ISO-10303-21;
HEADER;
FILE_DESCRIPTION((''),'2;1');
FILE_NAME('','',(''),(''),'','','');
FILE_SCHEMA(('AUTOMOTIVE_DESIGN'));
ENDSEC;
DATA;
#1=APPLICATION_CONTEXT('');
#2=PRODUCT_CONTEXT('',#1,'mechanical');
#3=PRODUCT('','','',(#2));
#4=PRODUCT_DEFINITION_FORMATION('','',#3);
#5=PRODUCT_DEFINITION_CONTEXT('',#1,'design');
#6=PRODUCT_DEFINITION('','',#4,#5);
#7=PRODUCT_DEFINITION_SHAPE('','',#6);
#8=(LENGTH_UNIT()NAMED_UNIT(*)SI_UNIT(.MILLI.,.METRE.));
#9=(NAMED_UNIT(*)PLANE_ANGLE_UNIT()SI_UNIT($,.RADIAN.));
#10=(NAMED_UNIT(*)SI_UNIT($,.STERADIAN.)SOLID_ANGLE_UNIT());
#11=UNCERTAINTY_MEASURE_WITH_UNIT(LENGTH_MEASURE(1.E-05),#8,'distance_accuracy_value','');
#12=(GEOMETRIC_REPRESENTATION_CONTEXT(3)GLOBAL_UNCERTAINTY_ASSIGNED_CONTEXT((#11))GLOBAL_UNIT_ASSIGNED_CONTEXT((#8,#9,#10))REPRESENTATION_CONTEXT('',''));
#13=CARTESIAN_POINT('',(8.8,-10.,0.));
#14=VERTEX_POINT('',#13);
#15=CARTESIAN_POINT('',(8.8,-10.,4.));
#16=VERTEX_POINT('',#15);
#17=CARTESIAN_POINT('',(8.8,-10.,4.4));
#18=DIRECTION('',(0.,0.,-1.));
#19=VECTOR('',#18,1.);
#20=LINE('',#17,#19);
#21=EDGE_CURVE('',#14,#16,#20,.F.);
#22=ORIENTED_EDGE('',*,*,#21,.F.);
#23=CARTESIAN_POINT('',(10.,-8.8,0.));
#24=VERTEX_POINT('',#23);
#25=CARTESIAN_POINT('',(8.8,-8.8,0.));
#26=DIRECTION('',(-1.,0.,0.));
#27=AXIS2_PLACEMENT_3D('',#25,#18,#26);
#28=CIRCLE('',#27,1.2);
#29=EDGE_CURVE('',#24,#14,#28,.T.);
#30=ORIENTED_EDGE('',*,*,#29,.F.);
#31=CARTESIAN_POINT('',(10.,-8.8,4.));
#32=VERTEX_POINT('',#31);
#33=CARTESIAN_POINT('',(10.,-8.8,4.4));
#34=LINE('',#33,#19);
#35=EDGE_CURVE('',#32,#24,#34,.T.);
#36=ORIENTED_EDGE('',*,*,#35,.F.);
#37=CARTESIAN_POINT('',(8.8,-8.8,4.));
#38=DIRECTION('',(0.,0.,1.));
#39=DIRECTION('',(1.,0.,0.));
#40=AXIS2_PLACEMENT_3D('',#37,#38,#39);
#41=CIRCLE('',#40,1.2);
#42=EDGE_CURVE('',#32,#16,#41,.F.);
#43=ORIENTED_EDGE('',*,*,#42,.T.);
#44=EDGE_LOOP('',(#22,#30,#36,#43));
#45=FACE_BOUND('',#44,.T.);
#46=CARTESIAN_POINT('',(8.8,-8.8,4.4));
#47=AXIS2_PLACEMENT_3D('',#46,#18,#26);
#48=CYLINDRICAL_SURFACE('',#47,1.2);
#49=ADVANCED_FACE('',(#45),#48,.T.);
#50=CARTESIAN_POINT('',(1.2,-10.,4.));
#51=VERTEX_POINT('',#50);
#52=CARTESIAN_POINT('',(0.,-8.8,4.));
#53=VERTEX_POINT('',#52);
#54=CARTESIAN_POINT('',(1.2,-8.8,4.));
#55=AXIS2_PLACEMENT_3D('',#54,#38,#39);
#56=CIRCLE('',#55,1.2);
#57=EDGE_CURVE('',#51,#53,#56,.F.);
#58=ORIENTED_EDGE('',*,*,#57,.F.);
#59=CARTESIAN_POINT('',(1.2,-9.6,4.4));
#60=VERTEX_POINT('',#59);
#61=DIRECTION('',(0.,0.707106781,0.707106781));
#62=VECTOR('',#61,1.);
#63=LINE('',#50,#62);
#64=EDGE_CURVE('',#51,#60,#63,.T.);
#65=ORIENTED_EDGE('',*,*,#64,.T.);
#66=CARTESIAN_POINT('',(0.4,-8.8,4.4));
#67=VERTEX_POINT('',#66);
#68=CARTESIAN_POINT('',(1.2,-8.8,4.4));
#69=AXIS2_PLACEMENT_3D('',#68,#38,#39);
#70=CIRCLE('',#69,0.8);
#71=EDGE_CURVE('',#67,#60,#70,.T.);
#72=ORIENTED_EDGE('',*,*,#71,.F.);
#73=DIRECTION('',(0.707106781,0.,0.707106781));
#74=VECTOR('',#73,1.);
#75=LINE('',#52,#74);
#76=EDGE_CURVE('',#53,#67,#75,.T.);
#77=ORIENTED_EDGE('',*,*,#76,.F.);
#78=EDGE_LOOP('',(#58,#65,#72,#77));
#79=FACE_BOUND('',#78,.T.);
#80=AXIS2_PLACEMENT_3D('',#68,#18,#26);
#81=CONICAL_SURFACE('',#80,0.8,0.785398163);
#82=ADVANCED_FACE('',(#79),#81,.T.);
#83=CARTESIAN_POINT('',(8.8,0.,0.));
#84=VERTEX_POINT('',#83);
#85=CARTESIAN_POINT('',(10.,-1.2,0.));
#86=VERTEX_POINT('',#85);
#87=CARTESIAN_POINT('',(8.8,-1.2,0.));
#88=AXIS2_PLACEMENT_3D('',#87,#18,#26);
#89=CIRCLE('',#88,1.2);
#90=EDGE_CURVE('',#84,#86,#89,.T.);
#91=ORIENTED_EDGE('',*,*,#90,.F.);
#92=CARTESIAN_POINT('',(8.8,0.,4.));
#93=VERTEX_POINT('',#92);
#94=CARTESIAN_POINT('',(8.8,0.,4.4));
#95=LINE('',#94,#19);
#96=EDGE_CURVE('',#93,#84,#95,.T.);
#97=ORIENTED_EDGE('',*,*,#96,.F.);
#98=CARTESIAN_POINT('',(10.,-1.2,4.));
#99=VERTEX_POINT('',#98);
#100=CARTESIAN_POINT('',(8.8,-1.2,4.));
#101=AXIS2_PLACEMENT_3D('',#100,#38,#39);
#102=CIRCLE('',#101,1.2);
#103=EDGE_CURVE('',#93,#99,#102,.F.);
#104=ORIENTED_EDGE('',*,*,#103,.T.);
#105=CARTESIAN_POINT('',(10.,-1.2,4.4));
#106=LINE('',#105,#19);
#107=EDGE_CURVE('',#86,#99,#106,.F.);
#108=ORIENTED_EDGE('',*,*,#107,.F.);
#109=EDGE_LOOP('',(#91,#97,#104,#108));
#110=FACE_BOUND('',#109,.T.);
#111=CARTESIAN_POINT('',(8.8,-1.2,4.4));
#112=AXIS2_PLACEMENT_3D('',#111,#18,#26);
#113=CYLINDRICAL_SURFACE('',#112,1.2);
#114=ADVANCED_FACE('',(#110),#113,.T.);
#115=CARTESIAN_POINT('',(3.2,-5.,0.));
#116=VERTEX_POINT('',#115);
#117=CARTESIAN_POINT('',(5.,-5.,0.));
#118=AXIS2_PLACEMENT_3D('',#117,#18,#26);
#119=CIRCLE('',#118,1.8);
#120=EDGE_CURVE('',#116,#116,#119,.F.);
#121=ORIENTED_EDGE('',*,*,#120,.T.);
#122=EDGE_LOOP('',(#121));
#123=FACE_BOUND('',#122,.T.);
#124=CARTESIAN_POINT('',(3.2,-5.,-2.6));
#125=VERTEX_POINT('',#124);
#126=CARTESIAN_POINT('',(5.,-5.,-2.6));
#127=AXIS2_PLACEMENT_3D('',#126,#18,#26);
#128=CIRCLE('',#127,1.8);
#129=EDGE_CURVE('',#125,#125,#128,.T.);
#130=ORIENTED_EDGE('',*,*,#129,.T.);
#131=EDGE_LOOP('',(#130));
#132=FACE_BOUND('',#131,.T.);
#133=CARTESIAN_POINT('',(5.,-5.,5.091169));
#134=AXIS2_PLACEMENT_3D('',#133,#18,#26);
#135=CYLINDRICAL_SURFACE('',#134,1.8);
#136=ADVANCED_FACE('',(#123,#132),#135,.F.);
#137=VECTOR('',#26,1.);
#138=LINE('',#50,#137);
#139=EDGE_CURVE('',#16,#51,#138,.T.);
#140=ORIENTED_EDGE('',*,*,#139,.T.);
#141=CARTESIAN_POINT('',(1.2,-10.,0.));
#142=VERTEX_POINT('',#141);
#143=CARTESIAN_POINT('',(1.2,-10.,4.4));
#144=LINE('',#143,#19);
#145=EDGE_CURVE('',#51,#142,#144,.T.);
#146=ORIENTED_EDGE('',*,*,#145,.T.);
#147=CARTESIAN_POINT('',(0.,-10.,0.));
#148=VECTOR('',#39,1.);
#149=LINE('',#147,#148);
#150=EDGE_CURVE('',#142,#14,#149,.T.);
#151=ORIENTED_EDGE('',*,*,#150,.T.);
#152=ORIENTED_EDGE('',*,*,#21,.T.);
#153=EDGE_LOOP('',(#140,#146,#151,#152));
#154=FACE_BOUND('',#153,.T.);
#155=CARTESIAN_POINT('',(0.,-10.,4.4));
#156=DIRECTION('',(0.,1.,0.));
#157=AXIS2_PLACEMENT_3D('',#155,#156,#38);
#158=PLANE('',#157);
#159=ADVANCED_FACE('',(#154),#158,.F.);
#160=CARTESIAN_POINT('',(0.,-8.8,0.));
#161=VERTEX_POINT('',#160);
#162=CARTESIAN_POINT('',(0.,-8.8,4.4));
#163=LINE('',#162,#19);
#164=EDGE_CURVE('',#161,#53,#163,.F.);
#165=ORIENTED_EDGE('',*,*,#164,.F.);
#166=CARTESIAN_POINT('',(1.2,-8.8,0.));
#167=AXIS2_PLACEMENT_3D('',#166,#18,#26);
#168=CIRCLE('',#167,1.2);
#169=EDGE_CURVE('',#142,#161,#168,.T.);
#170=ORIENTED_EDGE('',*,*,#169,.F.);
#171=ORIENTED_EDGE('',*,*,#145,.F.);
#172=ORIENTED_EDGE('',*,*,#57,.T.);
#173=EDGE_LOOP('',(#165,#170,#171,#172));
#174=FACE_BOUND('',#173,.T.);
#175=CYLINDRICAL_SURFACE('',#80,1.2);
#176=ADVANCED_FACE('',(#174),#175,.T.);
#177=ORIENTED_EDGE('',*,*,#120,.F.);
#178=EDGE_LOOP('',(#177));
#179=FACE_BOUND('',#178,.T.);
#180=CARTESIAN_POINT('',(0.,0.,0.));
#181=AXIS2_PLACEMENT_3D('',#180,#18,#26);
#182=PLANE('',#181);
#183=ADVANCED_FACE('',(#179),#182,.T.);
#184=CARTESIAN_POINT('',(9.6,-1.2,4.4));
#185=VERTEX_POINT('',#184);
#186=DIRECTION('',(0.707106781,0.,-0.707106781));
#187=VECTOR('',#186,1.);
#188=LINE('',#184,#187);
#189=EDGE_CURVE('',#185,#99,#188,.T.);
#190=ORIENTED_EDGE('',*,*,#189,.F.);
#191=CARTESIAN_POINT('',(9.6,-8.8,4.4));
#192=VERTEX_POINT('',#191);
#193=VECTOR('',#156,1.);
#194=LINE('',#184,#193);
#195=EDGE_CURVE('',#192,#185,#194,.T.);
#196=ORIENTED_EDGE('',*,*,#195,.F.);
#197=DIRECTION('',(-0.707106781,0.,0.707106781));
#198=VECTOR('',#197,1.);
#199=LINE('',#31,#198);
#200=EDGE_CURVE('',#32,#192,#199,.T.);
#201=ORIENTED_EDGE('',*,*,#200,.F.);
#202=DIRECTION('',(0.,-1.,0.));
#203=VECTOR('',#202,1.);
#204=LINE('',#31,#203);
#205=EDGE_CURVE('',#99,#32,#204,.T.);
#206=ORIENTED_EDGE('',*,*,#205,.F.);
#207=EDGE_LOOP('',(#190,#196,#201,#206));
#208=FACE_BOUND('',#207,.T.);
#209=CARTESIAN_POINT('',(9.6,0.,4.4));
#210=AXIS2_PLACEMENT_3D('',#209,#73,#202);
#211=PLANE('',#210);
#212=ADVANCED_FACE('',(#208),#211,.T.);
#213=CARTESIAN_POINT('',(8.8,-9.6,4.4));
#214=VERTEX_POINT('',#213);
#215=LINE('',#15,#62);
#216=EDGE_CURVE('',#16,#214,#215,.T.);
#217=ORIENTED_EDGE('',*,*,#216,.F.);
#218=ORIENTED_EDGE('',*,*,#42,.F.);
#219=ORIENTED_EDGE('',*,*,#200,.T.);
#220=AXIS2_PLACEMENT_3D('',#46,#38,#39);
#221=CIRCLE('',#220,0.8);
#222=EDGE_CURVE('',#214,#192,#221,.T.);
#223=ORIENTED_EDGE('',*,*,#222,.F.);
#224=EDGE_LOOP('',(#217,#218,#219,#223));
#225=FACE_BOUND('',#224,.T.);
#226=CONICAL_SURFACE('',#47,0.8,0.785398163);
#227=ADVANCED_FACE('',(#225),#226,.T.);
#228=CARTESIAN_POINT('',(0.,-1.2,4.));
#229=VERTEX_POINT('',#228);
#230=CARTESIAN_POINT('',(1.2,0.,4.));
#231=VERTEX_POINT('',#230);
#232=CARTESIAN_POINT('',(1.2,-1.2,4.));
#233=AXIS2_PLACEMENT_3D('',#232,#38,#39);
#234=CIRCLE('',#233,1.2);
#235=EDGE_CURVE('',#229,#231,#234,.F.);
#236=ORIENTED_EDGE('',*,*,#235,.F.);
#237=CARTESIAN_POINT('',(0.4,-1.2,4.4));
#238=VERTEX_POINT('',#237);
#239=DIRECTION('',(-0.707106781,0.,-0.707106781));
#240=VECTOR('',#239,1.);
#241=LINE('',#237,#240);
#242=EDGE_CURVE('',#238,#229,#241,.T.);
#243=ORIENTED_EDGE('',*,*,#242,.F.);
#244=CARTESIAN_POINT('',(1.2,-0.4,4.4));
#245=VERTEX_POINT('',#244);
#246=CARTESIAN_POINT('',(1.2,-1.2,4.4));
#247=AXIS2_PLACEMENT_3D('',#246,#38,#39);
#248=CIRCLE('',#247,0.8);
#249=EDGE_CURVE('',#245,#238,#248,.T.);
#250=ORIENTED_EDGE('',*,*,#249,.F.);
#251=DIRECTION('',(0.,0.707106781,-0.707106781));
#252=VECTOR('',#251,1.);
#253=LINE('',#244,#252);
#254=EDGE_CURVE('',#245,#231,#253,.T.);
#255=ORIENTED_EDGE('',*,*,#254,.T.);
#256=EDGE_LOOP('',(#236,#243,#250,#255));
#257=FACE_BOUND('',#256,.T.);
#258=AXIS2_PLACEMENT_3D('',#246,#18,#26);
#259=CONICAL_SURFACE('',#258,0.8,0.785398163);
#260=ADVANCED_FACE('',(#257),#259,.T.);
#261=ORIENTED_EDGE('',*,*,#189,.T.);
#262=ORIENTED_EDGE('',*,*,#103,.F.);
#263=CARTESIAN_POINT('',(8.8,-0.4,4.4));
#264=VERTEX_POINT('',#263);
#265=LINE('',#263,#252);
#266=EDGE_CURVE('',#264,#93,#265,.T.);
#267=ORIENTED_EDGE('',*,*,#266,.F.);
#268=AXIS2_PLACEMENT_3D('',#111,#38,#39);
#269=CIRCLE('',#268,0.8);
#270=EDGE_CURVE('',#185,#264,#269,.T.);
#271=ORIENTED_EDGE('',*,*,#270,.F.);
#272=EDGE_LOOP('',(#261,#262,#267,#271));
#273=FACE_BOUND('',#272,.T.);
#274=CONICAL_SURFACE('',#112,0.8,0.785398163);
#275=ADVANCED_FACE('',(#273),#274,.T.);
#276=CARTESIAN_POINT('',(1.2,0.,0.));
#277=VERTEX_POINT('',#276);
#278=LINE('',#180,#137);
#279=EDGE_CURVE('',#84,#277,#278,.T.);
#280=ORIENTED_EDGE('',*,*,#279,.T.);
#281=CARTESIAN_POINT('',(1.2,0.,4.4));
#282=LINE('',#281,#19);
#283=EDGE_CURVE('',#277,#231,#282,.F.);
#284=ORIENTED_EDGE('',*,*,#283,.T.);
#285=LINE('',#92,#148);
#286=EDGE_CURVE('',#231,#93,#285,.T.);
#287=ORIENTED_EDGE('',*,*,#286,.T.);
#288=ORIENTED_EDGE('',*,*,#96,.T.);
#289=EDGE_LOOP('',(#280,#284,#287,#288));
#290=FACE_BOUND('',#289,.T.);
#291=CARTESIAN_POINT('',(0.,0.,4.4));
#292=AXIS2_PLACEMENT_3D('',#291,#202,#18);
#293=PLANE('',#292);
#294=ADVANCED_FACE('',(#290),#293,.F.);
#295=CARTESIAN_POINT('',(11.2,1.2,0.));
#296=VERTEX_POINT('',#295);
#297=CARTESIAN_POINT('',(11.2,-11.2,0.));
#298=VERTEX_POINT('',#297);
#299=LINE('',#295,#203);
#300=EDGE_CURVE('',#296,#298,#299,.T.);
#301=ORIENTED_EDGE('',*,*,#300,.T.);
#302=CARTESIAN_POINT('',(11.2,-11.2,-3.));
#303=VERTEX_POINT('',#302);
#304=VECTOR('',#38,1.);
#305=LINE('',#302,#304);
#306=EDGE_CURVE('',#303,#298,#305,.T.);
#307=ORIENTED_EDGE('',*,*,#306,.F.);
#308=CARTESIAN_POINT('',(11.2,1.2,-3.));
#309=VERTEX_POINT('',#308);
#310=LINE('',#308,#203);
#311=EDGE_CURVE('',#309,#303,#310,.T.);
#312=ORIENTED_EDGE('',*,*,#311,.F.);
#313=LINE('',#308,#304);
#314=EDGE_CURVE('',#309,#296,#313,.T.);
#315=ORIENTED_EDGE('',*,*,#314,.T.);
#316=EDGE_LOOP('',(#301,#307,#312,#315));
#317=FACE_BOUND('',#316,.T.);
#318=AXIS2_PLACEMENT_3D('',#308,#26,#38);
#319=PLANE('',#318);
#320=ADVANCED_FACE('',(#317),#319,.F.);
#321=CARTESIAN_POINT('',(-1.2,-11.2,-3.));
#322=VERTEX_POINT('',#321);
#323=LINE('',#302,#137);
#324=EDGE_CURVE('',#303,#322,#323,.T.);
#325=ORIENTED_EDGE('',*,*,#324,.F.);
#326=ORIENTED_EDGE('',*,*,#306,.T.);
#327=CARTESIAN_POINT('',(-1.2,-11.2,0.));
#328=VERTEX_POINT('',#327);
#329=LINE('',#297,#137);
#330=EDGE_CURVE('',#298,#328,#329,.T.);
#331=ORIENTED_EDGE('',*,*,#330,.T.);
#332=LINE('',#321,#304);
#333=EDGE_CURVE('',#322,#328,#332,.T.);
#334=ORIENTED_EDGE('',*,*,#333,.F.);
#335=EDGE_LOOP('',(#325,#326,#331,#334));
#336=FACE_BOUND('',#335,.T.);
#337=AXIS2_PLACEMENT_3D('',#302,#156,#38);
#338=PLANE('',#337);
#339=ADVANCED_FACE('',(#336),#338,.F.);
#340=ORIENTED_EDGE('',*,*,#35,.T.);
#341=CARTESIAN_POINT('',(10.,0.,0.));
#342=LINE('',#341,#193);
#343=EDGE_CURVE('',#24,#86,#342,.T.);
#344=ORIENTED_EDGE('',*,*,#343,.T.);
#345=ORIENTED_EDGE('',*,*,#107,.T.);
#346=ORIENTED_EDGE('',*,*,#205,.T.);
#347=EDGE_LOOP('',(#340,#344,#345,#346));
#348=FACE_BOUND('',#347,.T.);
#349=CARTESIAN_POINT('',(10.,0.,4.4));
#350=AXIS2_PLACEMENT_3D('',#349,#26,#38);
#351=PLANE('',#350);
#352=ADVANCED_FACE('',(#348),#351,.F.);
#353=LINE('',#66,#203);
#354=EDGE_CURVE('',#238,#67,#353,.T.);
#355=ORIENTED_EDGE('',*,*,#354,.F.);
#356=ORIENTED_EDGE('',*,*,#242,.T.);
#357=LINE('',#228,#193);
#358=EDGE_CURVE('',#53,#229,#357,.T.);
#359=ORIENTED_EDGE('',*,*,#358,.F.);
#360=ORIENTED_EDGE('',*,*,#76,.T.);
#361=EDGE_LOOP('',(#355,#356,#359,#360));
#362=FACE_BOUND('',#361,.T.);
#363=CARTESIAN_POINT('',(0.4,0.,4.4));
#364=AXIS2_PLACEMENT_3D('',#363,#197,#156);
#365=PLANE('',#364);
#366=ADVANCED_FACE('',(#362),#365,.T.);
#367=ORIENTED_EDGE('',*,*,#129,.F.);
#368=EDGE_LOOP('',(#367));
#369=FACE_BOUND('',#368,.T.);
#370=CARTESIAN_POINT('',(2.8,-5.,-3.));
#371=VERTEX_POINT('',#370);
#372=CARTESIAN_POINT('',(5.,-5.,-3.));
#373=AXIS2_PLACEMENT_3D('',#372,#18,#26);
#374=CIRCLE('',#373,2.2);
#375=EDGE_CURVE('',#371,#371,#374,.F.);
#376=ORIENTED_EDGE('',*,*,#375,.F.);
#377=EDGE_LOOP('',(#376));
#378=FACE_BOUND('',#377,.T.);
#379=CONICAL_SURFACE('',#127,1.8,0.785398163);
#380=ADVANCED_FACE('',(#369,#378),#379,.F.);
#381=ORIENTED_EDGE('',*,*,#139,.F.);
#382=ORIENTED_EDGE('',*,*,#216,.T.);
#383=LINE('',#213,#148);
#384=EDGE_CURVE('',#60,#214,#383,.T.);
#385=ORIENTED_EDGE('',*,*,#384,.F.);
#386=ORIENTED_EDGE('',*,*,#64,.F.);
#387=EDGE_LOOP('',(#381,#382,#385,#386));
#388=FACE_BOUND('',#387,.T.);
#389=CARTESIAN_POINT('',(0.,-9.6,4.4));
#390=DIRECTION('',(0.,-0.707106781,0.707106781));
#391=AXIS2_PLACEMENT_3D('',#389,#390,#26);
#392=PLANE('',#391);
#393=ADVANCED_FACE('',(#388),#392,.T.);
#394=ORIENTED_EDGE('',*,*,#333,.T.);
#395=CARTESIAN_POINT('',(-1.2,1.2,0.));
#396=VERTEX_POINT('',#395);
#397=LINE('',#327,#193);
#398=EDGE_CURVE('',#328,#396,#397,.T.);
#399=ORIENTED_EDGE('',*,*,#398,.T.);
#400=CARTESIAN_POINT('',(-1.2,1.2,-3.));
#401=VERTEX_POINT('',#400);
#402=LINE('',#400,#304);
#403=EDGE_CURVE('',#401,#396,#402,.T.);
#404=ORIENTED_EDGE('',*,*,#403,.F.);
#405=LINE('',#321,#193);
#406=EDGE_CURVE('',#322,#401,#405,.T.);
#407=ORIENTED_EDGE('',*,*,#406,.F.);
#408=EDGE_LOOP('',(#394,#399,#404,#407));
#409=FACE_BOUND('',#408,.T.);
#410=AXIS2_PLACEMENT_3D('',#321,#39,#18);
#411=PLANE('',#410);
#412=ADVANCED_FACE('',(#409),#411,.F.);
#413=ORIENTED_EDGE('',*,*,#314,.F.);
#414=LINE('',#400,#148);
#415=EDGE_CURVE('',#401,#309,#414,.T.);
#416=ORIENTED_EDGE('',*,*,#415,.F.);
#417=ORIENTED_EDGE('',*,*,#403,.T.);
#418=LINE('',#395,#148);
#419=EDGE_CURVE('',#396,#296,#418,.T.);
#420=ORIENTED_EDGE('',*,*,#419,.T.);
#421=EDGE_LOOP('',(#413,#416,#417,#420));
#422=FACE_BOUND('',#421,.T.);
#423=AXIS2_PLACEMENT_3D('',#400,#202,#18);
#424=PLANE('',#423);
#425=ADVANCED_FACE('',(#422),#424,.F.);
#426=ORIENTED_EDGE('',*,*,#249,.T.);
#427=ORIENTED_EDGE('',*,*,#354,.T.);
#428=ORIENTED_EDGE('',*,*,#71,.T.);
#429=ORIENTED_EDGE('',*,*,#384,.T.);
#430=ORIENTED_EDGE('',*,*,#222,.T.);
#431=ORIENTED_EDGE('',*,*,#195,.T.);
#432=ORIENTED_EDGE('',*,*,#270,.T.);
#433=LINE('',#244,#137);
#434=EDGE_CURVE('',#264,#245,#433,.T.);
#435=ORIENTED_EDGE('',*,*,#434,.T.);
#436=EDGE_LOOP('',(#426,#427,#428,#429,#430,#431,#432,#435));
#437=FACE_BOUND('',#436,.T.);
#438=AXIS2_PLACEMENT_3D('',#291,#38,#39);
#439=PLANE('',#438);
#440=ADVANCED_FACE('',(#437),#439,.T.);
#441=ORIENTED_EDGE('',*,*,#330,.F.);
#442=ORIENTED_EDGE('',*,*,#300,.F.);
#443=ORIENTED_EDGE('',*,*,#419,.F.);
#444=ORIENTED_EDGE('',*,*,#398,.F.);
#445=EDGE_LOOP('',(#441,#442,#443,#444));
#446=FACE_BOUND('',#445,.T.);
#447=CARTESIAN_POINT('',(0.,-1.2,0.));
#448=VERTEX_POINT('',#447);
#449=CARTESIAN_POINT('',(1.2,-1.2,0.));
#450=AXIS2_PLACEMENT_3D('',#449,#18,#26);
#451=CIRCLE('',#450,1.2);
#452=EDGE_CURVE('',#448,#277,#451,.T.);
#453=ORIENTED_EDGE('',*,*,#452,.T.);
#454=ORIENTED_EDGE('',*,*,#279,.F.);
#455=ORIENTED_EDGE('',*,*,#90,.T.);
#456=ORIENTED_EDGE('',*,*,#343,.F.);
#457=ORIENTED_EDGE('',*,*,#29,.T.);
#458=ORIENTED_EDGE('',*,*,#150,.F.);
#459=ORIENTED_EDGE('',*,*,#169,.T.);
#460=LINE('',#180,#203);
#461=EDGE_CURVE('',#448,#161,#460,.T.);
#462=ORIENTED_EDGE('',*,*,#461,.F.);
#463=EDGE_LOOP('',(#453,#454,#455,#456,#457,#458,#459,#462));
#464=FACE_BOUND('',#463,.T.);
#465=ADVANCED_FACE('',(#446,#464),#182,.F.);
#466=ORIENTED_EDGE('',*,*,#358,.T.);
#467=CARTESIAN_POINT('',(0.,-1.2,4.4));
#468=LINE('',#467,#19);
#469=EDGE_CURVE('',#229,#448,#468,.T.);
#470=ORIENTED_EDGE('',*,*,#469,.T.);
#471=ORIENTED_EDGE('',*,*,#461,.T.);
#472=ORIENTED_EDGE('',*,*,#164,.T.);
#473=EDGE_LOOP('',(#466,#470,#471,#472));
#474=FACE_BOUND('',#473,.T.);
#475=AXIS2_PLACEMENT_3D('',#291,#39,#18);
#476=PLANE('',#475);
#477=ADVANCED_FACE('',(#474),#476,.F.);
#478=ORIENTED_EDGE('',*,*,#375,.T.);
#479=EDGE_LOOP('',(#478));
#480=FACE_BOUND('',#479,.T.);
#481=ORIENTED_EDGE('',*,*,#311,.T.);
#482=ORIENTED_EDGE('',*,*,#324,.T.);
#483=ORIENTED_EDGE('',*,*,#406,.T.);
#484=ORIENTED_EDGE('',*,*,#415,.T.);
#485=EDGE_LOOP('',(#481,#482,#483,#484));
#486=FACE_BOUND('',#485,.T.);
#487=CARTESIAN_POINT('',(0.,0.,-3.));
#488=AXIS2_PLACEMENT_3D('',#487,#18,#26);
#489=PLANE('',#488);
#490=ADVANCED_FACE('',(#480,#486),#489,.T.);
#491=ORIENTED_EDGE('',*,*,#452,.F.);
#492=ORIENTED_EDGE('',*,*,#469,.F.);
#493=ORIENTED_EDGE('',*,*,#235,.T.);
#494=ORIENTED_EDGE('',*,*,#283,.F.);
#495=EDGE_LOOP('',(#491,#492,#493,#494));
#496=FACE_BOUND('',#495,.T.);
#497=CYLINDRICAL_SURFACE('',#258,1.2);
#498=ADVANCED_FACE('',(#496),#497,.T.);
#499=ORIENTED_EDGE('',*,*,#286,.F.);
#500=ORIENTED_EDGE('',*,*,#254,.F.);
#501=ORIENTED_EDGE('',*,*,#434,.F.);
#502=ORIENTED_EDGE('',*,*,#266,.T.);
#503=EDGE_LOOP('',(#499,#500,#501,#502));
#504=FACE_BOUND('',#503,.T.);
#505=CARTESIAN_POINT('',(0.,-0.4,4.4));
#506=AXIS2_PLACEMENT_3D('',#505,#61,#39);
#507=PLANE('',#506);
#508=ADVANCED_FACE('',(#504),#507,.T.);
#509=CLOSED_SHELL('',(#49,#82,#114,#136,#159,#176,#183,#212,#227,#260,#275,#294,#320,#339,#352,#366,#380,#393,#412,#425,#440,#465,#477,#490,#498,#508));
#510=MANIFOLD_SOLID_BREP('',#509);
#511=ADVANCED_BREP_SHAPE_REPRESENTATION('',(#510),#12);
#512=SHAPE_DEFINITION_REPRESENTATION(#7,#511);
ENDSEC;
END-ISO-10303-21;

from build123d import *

# Parameters (mm, degrees)
SKETCH_1_W          = 10
SKETCH_1_H          = 10
EXTRUDE_1_DEPTH     = 4.4
SKETCH_2_W          = 12.4
SKETCH_2_H          = 12.4
EXTRUDE_2_DEPTH     = 3
SKETCH_3_R          = 1.8
CUT_EXTRUDE_1_DEPTH = 3
FILLET_1_R          = 1.2
CHAMFER_1_SIZE      = 0.4
CHAMFER_2_SIZE      = 0.4


with BuildPart() as part:
    # Эскиз1 → Бобышка-Вытянуть1 (new body)
    with BuildSketch(Plane.XY):
        with Locations((5, -5)):
            Rectangle(SKETCH_1_W, SKETCH_1_H)
    extrude(amount=EXTRUDE_1_DEPTH)

    # Эскиз2 → Бобышка-Вытянуть2 (add)
    with BuildSketch(Plane(origin=(0, 0, 0), x_dir=(-1, 0, 0), z_dir=(0, 0, -1))):
        with Locations((-5, -5)):
            Rectangle(SKETCH_2_W, SKETCH_2_H)
    extrude(amount=EXTRUDE_2_DEPTH)

    # Эскиз3 → Вырез-Вытянуть1 (cut)
    with BuildSketch(Plane(origin=(0, 0, -3), x_dir=(-1, 0, 0), z_dir=(0, 0, -1))):
        with Locations((-5, -5)):
            Circle(SKETCH_3_R)
    extrude(amount=-CUT_EXTRUDE_1_DEPTH, mode=Mode.SUBTRACT)

    # Скругление1
    fillet_1_edges = [part.edges().sort_by_distance(p)[0] for p in [
        (0, 0, 2.2),
        (10, 0, 2.2),
        (10, -10, 2.2),
        (0, -10, 2.2),
    ]]
    fillet(fillet_1_edges, radius=FILLET_1_R)

    # Фаска1
    chamfer_1_edges = [part.edges().sort_by_distance(p)[0] for p in [
        (5, 0, 4.4),
        (10, -5, 4.4),
        (0, -5, 4.4),
        (5, -10, 4.4),
        (9.648528137, -9.648528137, 4.4),
        (0.351471863, -9.648528137, 4.4),
        (0.351471863, -0.351471863, 4.4),
        (9.648528137, -0.351471863, 4.4),
    ]]
    chamfer(chamfer_1_edges, length=CHAMFER_1_SIZE)

    # Фаска2
    chamfer_2_edges = [part.edges().sort_by_distance(p)[0] for p in [
        (6.8, -5, -3),
    ]]
    chamfer(chamfer_2_edges, length=CHAMFER_2_SIZE)


solid = part.part
